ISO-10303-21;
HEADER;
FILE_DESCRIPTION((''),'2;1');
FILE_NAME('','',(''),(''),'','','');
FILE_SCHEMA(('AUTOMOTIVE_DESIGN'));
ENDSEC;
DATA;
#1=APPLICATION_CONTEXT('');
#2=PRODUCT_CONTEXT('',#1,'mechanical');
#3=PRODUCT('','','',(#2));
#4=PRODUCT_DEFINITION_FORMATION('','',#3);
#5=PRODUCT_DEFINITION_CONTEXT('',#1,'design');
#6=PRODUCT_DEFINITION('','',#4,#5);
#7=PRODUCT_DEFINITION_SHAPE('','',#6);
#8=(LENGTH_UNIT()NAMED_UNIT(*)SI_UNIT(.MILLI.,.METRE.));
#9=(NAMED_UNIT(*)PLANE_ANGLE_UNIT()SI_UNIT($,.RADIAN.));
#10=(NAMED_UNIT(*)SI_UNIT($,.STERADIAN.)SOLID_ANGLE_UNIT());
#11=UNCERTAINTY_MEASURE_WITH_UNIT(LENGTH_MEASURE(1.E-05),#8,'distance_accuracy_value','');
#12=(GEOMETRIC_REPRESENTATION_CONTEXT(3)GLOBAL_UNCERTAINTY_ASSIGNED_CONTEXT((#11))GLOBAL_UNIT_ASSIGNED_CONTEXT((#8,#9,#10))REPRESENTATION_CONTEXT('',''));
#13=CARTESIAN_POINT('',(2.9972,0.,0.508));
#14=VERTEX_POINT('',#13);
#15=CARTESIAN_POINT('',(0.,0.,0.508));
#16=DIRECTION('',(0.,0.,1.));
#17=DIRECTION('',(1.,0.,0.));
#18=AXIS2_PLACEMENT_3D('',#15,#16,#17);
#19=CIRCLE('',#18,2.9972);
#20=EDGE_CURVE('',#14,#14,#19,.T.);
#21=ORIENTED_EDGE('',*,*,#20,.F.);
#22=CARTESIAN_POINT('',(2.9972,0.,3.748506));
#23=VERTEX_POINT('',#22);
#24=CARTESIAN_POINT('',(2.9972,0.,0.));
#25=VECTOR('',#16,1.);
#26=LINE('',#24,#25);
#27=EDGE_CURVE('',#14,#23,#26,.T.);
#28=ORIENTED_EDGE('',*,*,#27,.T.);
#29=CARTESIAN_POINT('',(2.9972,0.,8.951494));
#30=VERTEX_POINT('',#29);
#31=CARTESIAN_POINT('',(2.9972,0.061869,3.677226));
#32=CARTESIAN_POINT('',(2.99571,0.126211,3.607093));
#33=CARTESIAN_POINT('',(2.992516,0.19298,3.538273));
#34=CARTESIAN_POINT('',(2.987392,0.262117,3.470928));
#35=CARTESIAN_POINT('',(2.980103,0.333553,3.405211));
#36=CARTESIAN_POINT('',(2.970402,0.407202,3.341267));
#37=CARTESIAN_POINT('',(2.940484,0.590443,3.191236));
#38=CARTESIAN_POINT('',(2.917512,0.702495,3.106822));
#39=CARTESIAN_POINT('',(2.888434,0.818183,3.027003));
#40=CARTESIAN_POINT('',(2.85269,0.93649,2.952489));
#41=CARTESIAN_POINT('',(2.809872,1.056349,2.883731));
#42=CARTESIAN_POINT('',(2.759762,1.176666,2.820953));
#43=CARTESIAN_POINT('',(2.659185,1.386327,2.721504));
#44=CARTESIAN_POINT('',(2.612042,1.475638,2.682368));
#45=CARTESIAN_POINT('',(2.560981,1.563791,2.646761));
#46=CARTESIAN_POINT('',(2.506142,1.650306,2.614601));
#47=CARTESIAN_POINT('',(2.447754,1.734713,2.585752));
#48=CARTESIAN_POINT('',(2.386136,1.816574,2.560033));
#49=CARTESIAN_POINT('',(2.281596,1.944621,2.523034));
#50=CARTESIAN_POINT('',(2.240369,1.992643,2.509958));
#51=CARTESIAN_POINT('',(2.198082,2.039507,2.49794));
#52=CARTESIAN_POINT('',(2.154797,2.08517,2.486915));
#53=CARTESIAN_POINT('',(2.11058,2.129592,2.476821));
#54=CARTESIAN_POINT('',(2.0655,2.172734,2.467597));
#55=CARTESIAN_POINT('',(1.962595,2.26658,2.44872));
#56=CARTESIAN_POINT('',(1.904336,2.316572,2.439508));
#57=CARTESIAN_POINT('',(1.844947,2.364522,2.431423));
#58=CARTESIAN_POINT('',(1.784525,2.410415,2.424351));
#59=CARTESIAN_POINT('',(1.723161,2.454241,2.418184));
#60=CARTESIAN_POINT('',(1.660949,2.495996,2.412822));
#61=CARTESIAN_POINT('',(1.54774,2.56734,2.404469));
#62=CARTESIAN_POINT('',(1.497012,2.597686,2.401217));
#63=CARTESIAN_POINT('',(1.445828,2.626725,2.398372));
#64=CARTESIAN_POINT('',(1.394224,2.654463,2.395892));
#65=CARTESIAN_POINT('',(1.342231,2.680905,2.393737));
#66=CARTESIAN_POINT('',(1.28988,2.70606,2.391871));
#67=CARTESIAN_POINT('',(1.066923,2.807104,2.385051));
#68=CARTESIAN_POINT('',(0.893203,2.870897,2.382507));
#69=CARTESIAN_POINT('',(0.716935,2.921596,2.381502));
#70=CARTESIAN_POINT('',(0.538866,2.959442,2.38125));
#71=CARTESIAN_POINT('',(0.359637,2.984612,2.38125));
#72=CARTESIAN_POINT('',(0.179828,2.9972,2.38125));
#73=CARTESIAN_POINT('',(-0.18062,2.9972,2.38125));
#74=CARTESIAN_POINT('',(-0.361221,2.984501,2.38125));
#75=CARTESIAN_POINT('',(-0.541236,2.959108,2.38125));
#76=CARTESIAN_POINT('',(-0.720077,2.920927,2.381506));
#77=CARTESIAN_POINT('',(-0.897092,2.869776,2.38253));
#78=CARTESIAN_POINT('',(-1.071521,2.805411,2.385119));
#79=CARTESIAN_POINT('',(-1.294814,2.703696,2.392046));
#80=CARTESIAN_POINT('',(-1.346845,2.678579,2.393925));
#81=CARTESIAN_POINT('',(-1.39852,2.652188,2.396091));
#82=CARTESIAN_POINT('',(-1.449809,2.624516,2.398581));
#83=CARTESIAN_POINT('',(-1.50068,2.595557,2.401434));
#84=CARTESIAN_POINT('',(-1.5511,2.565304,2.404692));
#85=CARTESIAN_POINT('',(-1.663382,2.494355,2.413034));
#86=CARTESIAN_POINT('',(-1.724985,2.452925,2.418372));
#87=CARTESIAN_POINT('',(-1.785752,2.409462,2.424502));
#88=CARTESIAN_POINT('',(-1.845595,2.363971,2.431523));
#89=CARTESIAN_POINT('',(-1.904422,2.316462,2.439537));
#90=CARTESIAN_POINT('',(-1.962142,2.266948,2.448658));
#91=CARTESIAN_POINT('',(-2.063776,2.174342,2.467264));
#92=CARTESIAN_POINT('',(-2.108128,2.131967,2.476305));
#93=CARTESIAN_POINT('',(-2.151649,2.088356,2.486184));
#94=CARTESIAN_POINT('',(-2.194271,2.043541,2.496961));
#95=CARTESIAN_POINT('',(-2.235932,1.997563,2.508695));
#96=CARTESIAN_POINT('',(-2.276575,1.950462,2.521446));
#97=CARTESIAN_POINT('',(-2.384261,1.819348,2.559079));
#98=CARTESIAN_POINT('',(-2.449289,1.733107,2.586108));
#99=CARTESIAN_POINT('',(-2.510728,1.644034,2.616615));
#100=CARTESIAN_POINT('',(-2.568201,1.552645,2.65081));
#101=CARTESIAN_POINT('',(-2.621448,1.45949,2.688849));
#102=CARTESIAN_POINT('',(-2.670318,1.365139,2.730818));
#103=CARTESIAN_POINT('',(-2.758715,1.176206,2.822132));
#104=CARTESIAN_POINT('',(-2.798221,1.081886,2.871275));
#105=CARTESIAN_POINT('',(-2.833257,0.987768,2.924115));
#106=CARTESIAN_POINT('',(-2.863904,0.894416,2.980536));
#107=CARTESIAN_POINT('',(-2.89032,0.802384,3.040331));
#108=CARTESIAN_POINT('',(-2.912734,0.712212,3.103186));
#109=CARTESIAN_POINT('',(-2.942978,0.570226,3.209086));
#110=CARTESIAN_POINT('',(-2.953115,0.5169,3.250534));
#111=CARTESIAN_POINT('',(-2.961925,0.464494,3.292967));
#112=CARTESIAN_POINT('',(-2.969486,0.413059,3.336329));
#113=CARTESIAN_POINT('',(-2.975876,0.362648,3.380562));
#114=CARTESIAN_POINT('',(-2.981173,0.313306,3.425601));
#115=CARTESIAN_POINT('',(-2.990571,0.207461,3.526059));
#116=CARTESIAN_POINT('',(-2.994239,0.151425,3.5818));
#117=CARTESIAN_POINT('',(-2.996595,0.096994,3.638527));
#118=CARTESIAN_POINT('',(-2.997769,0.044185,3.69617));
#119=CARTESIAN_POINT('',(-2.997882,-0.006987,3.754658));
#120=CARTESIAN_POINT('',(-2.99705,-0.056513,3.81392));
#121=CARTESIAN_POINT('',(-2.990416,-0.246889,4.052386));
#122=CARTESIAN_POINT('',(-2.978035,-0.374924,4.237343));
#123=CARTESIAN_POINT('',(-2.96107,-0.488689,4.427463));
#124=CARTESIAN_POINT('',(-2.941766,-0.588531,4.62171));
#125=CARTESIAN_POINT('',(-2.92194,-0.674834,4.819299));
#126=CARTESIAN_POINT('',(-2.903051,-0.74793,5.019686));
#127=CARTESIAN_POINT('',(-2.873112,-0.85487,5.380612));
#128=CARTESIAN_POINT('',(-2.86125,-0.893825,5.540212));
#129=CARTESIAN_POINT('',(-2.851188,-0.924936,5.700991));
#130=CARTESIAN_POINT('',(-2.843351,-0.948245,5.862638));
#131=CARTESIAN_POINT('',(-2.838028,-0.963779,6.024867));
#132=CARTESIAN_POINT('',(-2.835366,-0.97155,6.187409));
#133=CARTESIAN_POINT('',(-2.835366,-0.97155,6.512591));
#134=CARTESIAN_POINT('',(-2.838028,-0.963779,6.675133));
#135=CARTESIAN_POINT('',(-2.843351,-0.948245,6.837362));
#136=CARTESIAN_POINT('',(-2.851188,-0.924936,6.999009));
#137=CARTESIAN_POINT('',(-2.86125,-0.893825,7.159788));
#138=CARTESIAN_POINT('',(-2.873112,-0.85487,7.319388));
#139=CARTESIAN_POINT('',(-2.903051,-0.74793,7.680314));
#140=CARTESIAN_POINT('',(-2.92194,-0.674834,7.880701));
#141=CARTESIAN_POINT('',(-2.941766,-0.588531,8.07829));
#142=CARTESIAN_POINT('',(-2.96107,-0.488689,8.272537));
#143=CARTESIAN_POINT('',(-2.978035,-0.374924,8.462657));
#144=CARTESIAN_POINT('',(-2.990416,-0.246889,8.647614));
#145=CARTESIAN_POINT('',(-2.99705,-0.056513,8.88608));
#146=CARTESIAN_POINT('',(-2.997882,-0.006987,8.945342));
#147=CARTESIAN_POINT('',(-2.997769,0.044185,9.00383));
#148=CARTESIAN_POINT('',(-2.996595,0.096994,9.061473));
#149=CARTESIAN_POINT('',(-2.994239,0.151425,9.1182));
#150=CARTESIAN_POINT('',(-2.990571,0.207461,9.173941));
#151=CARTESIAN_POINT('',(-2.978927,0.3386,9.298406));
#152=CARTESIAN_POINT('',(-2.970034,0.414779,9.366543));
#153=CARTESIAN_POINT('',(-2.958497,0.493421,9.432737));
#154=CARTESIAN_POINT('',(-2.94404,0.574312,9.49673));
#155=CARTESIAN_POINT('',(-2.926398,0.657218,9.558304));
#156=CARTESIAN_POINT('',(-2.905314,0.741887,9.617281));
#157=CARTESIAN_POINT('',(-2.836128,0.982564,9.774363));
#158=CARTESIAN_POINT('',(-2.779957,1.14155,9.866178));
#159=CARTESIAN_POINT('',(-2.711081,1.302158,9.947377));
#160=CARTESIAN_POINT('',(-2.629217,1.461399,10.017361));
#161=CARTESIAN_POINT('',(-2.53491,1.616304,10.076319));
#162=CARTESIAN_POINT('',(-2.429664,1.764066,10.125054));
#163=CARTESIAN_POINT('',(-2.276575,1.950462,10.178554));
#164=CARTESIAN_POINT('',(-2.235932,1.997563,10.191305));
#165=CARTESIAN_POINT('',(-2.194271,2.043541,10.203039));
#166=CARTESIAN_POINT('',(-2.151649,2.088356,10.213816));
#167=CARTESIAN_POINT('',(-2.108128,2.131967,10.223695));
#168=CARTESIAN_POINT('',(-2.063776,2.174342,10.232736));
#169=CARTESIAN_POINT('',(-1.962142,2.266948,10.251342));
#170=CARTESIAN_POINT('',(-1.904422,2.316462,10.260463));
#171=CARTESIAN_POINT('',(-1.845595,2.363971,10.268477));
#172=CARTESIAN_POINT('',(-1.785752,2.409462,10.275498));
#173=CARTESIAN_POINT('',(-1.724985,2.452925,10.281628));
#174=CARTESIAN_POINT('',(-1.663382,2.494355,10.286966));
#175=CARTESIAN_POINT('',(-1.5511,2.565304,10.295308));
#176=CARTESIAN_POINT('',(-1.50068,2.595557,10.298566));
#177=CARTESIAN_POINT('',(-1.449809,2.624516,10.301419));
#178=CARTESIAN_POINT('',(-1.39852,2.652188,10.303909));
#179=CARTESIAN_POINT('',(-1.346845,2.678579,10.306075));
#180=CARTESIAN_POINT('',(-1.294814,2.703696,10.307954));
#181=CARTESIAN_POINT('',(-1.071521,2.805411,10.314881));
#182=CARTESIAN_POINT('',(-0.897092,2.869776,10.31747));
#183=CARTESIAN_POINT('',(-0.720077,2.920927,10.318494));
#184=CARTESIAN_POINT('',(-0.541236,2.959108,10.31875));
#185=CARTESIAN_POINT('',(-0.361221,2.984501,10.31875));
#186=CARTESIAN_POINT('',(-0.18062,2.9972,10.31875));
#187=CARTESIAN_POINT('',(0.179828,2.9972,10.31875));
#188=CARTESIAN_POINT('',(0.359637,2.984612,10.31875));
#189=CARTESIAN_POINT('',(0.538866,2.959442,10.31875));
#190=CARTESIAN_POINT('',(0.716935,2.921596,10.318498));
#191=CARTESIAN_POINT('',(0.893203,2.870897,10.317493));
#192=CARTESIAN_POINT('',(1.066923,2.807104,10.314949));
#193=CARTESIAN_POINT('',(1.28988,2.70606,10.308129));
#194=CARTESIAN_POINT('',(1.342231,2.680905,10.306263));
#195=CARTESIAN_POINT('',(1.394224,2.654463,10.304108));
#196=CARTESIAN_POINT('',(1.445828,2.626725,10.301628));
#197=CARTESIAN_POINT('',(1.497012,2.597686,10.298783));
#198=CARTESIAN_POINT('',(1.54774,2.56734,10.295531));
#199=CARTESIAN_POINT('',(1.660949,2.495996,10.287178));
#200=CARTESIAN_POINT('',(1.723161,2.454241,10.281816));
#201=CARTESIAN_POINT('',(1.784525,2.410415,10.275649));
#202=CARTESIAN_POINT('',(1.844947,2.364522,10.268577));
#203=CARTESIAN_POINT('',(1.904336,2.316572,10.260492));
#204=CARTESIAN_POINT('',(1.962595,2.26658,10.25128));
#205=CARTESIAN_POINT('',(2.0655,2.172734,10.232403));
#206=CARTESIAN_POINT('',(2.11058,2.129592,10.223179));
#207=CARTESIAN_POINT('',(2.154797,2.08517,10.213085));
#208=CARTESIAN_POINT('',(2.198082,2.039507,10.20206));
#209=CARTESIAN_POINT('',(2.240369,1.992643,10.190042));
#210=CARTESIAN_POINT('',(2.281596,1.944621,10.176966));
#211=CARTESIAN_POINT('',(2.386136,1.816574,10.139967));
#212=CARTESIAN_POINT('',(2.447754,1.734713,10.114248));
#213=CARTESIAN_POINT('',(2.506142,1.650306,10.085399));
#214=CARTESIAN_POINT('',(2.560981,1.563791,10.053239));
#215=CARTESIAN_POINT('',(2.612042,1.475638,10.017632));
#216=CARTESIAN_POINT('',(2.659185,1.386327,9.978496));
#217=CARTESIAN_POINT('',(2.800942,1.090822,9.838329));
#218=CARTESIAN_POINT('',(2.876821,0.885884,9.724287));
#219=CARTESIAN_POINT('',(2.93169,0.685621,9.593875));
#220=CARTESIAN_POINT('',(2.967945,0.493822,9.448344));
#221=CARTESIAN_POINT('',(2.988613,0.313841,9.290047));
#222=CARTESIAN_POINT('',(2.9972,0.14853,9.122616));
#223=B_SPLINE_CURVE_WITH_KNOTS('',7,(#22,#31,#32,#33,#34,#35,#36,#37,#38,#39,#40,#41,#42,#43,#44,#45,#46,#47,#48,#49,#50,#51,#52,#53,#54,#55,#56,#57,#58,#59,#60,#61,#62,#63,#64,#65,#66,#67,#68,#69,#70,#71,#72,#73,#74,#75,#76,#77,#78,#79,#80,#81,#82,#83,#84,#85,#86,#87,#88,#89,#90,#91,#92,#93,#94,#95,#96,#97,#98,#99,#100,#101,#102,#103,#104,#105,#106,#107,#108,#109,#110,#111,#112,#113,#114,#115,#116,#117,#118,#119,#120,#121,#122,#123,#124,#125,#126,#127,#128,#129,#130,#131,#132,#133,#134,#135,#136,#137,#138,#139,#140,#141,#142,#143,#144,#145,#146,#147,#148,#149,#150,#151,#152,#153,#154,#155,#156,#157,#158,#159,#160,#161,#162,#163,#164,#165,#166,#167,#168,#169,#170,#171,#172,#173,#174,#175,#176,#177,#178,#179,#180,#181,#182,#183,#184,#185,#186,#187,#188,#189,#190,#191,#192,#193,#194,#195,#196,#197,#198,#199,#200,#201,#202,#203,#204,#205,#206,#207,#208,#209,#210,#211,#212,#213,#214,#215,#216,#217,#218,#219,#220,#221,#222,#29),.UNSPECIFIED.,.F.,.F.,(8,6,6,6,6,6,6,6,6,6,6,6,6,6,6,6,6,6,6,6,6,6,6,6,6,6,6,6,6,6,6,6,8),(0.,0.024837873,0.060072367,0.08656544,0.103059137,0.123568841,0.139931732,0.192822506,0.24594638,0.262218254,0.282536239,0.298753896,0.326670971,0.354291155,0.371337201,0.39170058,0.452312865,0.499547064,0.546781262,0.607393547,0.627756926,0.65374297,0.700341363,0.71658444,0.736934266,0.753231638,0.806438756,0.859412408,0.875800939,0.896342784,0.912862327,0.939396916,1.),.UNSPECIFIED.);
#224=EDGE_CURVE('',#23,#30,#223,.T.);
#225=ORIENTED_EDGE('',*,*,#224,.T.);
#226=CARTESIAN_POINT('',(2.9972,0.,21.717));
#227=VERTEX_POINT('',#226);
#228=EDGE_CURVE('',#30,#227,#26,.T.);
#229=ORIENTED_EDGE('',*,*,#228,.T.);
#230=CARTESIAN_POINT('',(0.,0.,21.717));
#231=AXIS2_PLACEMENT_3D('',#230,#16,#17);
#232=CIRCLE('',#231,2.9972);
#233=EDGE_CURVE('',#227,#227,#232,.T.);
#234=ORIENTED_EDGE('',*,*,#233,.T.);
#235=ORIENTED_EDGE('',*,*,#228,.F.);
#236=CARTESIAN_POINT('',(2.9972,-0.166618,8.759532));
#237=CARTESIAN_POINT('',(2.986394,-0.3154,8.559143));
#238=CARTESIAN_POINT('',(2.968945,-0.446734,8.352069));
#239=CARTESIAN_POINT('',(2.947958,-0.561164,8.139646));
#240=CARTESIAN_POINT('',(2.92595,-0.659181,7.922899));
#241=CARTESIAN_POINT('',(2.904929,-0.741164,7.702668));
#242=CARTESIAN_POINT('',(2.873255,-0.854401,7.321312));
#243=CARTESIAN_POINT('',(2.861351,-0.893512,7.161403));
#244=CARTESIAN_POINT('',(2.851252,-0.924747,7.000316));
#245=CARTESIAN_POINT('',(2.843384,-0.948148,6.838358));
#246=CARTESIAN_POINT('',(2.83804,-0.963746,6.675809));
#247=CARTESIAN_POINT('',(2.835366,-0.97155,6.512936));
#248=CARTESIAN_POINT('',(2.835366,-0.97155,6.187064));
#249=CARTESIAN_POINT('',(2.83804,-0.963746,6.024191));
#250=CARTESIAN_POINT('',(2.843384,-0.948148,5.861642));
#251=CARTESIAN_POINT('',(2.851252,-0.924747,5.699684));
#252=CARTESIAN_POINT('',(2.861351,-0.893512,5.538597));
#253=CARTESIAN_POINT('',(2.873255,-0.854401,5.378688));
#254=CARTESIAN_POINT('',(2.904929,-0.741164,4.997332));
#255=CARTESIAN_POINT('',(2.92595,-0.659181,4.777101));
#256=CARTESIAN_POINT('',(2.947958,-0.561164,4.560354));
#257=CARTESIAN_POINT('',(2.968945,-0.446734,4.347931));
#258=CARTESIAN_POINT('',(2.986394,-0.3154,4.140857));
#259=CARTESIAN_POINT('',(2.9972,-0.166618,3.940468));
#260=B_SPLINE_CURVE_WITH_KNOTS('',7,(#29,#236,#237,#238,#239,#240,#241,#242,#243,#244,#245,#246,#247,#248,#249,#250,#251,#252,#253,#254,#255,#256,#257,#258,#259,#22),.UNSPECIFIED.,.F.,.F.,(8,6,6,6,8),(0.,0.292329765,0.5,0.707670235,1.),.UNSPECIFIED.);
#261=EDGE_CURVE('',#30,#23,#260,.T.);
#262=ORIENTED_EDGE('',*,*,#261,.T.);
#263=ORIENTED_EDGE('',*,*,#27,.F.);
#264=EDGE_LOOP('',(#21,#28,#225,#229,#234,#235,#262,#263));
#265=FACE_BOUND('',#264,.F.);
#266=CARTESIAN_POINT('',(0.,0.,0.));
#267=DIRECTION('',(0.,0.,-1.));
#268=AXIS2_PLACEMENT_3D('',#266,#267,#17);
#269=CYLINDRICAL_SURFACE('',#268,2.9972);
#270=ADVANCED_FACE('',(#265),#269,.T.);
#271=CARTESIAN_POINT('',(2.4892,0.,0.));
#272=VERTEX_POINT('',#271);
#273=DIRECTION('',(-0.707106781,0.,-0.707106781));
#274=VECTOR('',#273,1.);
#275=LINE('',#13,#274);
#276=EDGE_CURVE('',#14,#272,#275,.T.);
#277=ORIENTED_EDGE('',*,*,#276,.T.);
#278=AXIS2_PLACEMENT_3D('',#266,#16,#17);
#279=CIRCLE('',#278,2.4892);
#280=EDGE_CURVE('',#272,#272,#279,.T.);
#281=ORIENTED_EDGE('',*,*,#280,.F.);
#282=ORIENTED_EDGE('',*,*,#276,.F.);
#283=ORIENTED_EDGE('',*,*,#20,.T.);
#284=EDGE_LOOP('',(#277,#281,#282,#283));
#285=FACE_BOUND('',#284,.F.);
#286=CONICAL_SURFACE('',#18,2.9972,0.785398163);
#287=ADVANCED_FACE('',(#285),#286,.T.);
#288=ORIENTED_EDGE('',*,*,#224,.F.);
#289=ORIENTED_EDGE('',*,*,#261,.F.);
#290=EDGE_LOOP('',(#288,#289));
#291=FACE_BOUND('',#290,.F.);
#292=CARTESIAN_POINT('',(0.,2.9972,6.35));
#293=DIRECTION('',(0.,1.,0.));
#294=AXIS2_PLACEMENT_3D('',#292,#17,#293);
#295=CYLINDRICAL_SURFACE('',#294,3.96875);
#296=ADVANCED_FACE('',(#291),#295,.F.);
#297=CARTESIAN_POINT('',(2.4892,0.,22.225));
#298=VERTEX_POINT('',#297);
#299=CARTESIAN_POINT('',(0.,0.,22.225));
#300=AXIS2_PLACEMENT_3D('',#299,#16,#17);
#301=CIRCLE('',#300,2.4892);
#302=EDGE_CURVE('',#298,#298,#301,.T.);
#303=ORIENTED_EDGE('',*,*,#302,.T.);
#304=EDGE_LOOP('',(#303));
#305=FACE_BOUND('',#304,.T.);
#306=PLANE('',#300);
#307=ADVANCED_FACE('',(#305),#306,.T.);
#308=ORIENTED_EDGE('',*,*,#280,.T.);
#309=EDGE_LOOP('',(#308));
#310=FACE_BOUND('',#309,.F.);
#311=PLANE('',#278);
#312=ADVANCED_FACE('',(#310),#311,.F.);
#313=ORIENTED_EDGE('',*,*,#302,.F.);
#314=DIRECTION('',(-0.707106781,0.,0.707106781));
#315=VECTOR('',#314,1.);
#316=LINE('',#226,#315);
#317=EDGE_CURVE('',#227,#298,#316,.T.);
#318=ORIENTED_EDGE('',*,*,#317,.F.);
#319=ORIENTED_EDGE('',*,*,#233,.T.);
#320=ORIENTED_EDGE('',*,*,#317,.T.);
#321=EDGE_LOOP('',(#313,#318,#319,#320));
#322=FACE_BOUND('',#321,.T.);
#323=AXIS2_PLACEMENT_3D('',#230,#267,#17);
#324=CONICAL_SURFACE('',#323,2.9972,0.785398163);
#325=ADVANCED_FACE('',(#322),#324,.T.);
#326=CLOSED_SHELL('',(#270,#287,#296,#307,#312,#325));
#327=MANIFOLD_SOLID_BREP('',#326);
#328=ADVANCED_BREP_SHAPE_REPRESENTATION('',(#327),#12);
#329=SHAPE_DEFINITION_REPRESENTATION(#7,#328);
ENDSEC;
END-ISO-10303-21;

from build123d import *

# Parameters (mm, degrees)
F0_R     = 2.9972
F1_DEPTH = 22.225
F2_R     = 3.96875
F3_DEPTH = 12.7
F5_SIZE  = 0.508


with BuildPart() as f1:
    # F0 (on Top) → F1 (new body)
    with BuildSketch(Plane.XY):
        Circle(F0_R)
    extrude(amount=F1_DEPTH)


with BuildPart() as f3:
    # F2 (on Right) → F3 (new body, symmetric)
    with BuildSketch(Plane.YZ):
        with Locations((2.9972, 6.35)):
            Circle(F2_R)
    extrude(amount=F3_DEPTH, both=True)


with BuildPart() as f1_1:
    add(f1.part)

    # F4: cut F3
    add(f3.part, mode=Mode.SUBTRACT)

    # F5
    f5_edges = [f1_1.edges().sort_by_distance(p)[0] for p in [
        (-2.9972, 0, 22.225),
        (-2.9972, 0, 0),
    ]]
    chamfer(f5_edges, length=F5_SIZE)


solid = f1_1.part
